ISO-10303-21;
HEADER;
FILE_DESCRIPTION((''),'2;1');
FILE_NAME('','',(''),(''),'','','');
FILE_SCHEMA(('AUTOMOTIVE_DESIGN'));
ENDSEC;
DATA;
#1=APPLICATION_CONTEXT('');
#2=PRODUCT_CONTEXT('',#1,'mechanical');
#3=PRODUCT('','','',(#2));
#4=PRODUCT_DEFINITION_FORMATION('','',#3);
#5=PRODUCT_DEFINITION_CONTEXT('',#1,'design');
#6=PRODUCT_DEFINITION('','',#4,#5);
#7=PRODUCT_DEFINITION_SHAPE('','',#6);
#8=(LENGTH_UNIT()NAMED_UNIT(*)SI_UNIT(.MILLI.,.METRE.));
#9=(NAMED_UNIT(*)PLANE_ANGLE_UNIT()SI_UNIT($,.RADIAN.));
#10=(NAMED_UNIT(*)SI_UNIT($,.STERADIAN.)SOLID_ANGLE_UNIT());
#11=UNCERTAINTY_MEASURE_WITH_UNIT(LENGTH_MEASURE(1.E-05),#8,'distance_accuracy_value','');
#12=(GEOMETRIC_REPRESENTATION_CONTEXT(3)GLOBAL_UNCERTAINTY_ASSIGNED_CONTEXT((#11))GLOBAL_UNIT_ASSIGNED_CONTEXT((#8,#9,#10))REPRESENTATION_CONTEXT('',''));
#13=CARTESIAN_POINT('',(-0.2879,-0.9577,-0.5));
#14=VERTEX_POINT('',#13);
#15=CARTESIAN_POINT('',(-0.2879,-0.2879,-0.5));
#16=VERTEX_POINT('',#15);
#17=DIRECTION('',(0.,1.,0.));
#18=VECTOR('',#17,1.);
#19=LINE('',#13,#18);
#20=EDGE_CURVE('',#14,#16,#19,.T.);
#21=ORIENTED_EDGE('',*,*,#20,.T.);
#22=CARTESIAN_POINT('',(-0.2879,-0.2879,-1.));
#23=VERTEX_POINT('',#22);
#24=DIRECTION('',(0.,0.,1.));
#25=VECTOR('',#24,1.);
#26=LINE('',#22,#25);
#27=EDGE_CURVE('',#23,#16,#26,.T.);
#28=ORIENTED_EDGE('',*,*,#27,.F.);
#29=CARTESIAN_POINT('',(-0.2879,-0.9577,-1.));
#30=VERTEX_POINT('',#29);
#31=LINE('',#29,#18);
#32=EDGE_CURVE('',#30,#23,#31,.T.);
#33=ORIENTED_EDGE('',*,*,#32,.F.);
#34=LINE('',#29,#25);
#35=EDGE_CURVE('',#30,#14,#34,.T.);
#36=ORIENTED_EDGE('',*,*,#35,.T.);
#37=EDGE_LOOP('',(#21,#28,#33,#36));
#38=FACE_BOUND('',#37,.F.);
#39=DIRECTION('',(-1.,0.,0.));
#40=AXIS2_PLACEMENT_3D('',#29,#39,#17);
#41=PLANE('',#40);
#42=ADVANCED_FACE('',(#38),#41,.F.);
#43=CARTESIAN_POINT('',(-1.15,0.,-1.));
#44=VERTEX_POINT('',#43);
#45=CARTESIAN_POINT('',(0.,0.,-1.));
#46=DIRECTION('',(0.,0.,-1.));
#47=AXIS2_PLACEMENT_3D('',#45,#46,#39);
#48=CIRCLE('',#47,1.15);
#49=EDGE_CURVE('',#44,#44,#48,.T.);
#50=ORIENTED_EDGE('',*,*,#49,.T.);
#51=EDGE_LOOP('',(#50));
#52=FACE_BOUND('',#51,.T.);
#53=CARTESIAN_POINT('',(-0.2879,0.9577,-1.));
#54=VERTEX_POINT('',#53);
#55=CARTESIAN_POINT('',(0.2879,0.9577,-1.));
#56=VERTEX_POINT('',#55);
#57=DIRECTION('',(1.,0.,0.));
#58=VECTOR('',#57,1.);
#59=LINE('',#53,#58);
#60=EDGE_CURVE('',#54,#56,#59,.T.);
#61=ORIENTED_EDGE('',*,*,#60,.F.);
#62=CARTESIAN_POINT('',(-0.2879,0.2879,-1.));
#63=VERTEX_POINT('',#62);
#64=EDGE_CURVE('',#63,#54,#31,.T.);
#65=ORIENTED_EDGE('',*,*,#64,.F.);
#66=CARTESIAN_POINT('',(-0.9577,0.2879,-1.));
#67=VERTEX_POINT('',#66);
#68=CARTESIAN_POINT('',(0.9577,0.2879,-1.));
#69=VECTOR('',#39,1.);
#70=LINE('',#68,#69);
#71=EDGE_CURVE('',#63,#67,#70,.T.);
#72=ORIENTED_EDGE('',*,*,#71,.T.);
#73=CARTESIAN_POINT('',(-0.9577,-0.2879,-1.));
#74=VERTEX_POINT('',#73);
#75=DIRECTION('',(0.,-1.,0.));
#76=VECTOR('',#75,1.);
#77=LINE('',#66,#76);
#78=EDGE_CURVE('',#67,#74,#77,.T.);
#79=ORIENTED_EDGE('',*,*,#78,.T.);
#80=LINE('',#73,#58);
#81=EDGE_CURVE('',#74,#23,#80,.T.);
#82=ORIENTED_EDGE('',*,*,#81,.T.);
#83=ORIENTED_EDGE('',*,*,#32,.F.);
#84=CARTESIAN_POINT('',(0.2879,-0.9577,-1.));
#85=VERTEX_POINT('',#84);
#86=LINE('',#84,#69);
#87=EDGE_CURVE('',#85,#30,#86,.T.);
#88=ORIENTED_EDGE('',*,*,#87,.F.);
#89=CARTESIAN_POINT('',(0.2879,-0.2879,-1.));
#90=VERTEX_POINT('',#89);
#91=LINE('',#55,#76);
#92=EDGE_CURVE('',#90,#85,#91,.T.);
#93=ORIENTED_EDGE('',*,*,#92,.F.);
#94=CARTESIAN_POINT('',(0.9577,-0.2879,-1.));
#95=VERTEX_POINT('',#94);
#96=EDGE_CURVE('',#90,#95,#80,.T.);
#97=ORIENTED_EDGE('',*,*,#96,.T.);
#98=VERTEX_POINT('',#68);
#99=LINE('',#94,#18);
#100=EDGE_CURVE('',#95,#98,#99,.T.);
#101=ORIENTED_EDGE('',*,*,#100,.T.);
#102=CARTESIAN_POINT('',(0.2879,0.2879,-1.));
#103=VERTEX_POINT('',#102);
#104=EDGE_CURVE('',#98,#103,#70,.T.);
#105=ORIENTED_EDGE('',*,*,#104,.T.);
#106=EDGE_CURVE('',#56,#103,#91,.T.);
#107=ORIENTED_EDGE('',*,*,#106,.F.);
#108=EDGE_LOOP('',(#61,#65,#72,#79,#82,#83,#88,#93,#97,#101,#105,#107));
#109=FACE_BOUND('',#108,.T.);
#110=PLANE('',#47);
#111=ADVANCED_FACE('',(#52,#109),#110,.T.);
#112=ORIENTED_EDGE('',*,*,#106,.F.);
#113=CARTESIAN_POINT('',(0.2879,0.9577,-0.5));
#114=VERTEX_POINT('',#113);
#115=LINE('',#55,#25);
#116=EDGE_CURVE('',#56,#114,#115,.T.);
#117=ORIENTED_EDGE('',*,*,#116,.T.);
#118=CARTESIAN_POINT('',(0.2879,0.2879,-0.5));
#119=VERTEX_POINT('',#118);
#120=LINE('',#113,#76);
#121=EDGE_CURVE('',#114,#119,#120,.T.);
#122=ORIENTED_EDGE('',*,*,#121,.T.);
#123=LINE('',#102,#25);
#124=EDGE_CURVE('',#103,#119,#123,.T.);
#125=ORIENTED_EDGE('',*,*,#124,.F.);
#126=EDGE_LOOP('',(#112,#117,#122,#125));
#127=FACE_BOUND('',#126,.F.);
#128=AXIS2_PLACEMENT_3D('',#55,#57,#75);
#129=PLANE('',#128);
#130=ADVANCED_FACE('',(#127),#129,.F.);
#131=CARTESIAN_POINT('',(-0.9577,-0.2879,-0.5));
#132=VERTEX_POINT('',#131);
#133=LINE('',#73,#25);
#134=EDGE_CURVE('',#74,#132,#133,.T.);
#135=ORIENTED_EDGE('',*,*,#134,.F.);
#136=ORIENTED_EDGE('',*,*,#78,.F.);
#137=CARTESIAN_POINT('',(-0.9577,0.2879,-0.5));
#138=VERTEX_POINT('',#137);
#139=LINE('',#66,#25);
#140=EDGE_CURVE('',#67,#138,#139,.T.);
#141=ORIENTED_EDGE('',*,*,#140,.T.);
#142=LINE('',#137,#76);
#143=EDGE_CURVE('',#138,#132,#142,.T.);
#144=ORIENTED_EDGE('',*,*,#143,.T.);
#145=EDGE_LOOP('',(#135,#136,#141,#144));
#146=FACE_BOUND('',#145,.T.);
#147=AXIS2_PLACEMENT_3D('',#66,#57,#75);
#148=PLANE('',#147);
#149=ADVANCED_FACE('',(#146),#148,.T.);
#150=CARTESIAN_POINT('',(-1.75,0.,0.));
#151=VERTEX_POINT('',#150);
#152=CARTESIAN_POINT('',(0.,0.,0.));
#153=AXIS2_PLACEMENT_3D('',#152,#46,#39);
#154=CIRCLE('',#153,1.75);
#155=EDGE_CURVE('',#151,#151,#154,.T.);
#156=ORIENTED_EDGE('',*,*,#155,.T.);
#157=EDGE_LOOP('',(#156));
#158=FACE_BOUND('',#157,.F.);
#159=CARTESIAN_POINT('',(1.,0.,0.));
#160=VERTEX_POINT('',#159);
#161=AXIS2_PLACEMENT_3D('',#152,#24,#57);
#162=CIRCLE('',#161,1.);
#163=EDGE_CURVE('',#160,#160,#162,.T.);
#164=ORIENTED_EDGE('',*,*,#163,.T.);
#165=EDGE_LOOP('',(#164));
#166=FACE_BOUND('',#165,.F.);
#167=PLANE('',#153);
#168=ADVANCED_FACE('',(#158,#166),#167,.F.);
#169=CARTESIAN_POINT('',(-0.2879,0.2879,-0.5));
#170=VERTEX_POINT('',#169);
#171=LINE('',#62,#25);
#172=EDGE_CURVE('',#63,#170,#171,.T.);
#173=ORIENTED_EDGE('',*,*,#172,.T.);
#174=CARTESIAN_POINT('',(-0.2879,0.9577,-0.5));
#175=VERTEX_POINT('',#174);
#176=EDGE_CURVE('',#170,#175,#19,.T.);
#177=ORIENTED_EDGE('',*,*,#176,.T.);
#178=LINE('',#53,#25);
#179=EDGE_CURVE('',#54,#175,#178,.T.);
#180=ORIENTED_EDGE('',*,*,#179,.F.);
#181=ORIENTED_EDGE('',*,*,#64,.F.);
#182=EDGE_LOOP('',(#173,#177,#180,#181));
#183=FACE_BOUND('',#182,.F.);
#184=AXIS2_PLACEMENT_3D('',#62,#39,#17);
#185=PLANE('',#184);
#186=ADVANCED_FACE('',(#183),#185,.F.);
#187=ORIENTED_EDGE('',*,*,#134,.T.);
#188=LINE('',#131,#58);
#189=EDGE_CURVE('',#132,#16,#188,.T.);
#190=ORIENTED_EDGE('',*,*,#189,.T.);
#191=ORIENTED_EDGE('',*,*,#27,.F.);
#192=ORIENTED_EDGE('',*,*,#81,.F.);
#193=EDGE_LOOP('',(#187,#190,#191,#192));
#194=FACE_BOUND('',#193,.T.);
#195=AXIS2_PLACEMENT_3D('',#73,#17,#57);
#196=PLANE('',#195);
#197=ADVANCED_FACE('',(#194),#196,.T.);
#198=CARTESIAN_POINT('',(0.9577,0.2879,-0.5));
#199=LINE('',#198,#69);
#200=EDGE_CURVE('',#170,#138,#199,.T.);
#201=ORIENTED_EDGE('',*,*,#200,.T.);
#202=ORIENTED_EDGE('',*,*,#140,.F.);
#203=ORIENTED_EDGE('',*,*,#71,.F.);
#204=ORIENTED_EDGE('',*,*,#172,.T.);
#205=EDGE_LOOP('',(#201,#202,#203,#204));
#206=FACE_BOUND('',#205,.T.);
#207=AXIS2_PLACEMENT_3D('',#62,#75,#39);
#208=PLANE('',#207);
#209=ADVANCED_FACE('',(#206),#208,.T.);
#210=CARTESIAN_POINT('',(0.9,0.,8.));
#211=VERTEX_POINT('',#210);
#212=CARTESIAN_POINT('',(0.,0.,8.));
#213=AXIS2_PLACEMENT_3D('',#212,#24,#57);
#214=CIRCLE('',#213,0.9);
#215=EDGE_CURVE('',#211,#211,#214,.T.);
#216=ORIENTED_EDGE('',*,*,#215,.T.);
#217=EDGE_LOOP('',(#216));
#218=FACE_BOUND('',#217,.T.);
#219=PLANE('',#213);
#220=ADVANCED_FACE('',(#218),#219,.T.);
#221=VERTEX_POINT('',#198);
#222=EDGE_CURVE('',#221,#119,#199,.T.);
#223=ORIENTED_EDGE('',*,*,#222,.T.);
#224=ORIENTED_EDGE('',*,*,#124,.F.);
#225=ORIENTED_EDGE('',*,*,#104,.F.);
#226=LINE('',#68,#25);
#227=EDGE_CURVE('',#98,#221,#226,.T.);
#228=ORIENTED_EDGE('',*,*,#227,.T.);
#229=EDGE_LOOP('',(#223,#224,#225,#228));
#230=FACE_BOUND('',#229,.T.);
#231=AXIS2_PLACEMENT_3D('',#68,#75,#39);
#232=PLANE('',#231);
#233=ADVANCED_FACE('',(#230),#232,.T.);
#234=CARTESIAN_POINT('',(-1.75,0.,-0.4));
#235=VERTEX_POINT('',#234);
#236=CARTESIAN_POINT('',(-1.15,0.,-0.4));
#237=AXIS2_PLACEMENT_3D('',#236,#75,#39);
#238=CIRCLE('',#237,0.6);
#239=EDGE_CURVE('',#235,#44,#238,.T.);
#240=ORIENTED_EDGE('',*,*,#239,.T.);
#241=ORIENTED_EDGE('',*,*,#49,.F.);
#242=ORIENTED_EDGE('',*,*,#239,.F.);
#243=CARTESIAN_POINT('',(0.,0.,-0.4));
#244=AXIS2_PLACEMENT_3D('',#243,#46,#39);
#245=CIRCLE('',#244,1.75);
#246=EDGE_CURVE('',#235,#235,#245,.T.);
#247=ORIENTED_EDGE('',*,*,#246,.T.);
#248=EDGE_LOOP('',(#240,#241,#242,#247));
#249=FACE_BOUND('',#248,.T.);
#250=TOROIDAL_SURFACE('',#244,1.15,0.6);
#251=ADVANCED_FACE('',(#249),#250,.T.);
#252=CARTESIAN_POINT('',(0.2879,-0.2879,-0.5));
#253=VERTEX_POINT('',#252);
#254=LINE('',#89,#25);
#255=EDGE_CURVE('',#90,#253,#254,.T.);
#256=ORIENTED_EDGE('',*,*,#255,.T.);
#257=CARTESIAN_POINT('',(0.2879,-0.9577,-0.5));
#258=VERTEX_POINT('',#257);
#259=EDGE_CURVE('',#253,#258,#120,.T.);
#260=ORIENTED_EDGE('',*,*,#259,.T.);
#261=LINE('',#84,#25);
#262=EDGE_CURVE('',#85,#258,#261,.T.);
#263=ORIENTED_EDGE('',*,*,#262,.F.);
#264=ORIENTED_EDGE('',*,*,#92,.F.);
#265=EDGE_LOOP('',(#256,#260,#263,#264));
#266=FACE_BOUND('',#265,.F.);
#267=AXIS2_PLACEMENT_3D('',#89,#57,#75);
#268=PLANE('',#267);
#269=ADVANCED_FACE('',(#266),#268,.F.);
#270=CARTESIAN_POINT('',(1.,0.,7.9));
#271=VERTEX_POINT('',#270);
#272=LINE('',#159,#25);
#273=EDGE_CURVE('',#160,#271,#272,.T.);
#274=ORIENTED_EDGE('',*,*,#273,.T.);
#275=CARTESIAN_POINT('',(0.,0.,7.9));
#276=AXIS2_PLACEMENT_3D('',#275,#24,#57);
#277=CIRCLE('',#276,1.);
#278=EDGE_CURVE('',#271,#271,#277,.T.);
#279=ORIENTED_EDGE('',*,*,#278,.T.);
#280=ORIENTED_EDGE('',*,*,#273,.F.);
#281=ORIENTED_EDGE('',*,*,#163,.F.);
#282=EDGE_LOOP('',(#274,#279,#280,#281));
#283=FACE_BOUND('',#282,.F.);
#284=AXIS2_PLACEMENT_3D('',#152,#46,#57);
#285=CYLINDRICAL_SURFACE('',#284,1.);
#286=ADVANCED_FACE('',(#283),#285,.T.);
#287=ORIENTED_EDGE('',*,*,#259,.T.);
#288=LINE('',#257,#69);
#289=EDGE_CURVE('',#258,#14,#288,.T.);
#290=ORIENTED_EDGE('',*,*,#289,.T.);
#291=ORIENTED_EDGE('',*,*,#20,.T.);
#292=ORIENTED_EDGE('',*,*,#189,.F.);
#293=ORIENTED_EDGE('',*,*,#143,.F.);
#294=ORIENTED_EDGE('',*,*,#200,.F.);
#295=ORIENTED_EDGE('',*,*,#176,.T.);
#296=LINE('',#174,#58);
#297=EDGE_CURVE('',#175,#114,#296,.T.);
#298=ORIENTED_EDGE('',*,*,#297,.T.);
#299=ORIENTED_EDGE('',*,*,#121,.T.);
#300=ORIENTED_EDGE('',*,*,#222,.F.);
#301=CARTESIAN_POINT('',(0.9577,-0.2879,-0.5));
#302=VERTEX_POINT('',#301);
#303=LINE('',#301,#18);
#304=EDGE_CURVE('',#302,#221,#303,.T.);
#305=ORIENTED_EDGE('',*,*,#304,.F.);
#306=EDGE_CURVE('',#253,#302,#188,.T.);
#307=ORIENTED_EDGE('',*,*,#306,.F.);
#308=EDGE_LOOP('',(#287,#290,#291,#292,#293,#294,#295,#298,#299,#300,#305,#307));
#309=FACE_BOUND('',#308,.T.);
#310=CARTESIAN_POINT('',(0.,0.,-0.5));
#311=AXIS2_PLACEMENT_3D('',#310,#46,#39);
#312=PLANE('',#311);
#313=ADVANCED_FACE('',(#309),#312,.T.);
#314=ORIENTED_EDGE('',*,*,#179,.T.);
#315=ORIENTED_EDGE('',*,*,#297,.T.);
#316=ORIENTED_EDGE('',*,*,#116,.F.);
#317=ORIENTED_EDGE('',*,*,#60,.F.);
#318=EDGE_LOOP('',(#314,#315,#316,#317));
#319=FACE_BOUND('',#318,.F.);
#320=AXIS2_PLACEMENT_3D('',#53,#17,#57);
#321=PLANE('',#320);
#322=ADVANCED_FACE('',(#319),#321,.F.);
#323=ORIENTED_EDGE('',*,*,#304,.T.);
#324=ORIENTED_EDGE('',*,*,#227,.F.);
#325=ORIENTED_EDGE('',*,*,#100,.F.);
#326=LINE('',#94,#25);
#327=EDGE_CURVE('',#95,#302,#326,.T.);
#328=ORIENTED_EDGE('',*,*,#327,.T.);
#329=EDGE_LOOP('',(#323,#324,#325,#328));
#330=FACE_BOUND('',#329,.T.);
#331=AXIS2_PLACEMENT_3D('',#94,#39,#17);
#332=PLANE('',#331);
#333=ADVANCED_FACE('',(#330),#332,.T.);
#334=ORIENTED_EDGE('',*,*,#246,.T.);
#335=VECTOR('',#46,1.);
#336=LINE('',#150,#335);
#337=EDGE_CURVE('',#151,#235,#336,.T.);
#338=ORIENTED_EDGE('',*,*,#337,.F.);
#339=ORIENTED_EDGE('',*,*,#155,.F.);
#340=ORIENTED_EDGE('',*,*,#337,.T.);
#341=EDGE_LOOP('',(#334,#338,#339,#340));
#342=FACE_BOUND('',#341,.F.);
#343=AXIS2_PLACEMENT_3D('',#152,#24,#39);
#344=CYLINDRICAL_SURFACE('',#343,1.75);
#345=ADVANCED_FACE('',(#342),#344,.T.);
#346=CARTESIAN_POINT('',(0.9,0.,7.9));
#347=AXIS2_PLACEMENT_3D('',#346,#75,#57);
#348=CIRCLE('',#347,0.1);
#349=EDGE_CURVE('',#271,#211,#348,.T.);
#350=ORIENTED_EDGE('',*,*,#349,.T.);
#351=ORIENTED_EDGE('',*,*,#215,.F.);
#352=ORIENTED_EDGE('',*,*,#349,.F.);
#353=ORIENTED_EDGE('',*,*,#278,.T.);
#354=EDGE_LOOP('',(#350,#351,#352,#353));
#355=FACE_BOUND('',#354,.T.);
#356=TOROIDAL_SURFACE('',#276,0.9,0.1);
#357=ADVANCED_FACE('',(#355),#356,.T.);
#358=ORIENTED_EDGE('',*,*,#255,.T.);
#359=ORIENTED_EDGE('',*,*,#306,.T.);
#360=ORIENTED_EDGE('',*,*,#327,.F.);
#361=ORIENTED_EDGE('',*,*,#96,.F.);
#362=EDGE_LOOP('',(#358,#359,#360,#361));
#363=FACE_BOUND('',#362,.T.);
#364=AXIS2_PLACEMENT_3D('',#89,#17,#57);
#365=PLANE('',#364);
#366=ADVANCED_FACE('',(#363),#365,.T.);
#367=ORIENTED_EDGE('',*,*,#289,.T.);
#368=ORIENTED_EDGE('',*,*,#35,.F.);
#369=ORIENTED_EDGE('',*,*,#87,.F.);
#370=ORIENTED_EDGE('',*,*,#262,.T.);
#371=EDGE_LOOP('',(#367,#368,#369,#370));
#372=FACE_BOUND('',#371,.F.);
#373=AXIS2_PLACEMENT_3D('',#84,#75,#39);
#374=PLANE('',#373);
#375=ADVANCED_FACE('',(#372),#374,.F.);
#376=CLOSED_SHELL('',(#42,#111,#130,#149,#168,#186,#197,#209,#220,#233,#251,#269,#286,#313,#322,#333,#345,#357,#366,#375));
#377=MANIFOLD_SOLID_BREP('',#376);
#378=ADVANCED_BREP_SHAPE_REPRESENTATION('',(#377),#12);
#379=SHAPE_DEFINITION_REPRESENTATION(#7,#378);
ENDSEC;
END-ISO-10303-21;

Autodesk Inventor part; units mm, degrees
ref_plane "YZ Plane" through (0, 0, 0) normal (1, 0, 0) x (0, 1, 0)
ref_plane "XZ Plane" through (0, 0, 0) normal (0, 1, 0) x (-1, 0, 0)
ref_plane "XY Plane" through (0, 0, 0) normal (0, 0, 1) x (1, 0, 0)
sketch "Sketch1" plane through (0, 0, 0) normal (0, 0, 1) x (1, 0, 0)
  circle A0 centre (0, 0) radius 1
  dimension "d0" = 2
extrude "Extrusion1" add sketch "Sketch1" along normal blind 8
sketch "Sketch2" plane through (0, 0, 0) normal (0, 0, -1) x (-1, 0, 0)
  circle A0 centre (0, 0) radius 1.75
  dimension "d3" = 3.5
extrude "Extrusion2" add sketch "Sketch2" along normal blind 1
sketch "Sketch3" plane through (0, 0, -1) normal (0, 0, -1) x (-1, 0, 0)
  circle A0 centre (0, 0) radius 1 projected
  line L0 (-0.2879, -0.9577) -> (0.2879, -0.9577)
  line L1 (0.2879, -0.9577) -> (0.2879, 0.9577)
  line L2 (0.2879, 0.9577) -> (-0.2879, 0.9577)
  line L3 (-0.2879, 0.9577) -> (-0.2879, -0.9577)
  line L4 (-0.2879, -0.9577) -> (0.2879, 0.9577) construction
  line L5 (0.2879, -0.9577) -> (-0.2879, 0.9577) construction
  line L6 (-0.9577, 0.2879) -> (0.9577, 0.2879)
  line L7 (0.9577, 0.2879) -> (0.9577, -0.2879)
  line L8 (0.9577, -0.2879) -> (-0.9577, -0.2879)
  line L9 (-0.9577, -0.2879) -> (-0.9577, 0.2879)
  line L10 (-0.9577, 0.2879) -> (0.9577, -0.2879) construction
  line L11 (0.9577, 0.2879) -> (-0.9577, -0.2879) construction
extrude "Extrusion3" cut sketch "Sketch3" against normal blind 0.5 contours L7 L8 L1 L6 | L1 L6 L3 L2 | L1 L8 L3 L6 | L0 L3 L8 L1 | L3 L8 L9 L6
fillet "Fillet1" radius 0.6 1 edges at (1.75, 0, -1)
fillet "Fillet2" radius 0.1 1 edges at (-1, 0, 8)
properties part number "M2"
